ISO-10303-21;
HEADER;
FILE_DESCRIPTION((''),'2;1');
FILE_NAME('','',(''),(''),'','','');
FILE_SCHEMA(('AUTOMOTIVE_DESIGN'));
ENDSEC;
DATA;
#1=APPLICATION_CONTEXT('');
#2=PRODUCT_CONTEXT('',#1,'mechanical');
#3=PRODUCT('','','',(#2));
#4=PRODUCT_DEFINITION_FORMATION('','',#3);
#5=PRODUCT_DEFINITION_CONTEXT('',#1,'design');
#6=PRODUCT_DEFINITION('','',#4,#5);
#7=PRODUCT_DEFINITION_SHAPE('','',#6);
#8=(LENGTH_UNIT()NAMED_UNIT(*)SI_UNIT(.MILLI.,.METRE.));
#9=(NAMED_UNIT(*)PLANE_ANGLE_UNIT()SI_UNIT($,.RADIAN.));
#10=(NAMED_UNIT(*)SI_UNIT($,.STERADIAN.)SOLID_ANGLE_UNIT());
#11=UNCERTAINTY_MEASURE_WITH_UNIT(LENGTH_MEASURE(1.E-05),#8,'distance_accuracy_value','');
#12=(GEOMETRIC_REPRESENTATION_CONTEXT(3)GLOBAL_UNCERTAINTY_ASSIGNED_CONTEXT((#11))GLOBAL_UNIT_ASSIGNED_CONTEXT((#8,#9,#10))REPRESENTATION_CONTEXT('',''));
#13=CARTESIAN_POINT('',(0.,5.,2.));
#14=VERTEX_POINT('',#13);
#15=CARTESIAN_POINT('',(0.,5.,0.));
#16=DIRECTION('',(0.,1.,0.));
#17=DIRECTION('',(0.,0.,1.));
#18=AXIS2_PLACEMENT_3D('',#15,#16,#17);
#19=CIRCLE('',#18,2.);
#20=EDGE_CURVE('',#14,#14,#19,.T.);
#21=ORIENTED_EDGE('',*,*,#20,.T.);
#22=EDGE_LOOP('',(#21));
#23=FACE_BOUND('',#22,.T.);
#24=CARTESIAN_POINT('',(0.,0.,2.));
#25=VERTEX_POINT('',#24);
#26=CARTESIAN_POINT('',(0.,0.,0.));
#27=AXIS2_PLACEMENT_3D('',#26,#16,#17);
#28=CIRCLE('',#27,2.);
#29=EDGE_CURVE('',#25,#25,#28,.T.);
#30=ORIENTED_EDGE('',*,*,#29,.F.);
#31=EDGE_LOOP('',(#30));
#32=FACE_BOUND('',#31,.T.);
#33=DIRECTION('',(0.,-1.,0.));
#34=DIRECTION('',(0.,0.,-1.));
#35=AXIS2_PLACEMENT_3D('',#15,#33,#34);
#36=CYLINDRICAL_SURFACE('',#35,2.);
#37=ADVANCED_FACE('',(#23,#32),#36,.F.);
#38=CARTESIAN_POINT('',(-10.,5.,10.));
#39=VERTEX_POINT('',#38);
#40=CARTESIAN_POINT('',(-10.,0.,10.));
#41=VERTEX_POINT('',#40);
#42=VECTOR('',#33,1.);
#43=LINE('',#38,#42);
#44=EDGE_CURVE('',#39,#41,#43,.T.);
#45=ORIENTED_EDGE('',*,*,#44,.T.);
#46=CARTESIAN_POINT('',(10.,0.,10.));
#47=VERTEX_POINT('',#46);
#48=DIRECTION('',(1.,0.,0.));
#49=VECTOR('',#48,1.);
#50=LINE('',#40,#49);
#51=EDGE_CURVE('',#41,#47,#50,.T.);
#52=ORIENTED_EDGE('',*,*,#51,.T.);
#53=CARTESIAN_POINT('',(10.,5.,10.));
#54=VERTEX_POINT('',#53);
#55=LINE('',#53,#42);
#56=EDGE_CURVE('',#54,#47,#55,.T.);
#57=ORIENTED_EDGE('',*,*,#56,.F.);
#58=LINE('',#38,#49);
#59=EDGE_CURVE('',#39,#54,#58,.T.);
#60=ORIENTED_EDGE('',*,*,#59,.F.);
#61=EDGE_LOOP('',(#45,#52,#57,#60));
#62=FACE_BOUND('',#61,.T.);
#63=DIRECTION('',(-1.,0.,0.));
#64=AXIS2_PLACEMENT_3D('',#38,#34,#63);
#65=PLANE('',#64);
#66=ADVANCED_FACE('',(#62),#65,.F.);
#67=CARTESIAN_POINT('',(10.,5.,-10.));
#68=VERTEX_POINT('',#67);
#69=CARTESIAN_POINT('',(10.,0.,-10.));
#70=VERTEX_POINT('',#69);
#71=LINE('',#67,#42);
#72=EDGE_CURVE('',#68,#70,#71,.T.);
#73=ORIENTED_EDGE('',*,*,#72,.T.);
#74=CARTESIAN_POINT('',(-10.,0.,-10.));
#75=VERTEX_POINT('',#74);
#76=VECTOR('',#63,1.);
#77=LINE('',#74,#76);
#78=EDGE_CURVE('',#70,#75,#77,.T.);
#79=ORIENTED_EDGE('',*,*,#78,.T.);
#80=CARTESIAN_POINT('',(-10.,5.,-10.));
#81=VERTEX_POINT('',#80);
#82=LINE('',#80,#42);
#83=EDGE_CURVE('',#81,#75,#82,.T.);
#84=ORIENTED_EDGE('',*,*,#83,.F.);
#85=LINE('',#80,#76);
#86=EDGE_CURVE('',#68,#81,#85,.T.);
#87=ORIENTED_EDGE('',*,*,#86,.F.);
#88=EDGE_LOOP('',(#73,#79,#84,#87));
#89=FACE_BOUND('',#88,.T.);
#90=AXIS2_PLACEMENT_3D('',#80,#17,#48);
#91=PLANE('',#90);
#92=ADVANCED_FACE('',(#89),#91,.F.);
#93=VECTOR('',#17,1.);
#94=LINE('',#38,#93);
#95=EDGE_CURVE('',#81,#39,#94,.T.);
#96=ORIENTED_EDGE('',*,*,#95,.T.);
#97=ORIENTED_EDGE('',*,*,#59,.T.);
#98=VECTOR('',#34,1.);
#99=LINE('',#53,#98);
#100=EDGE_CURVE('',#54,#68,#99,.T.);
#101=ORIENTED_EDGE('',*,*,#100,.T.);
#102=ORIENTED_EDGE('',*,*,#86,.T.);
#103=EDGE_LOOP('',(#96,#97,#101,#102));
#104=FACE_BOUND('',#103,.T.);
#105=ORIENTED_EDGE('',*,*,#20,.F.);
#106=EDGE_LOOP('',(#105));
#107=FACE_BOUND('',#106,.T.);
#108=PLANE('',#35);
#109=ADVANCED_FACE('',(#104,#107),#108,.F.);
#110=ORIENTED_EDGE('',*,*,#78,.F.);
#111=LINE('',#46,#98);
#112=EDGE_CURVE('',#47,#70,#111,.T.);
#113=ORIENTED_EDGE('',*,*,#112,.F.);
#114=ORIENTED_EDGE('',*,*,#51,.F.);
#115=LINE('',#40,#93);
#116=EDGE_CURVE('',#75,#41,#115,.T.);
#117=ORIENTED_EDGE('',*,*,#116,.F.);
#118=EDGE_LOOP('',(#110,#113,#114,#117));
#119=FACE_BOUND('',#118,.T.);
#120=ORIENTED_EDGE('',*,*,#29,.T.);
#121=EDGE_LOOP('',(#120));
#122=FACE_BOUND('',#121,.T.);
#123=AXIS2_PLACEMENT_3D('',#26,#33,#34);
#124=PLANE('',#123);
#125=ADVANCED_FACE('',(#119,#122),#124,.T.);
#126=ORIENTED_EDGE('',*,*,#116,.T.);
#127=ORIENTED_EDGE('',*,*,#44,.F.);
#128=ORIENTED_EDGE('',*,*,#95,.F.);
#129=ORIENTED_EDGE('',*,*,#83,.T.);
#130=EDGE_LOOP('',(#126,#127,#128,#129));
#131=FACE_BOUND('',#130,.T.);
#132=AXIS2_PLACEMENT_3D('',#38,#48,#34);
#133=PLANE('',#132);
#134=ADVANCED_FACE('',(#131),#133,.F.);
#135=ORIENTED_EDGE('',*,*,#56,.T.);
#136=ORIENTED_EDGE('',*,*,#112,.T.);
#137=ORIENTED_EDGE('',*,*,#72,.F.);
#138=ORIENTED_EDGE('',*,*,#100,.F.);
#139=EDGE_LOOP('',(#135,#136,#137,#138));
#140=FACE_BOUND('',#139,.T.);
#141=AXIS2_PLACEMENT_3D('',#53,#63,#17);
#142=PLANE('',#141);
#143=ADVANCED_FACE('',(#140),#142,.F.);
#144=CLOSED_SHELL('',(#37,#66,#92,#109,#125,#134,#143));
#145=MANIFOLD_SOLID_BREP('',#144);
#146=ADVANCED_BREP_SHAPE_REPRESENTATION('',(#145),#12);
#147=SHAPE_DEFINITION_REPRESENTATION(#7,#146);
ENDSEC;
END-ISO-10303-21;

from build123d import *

# Parameters (mm, degrees)
SKETCH1_W           = 20
SKETCH1_H           = 20
SKETCH1_R           = 2
BOSS_EXTRUDE1_DEPTH = 5


with BuildPart() as part:
    # Sketch1 → Boss-Extrude1 (new body)
    with BuildSketch(Plane(origin=(0, 0, 0), x_dir=(1, 0, 0), z_dir=(0, 1, 0))):
        Rectangle(SKETCH1_W, SKETCH1_H)
        with Locations(Location((0, 0, 0), (0, 0, 270))):
            Circle(SKETCH1_R, mode=Mode.SUBTRACT)
    extrude(amount=BOSS_EXTRUDE1_DEPTH)


solid = part.part
